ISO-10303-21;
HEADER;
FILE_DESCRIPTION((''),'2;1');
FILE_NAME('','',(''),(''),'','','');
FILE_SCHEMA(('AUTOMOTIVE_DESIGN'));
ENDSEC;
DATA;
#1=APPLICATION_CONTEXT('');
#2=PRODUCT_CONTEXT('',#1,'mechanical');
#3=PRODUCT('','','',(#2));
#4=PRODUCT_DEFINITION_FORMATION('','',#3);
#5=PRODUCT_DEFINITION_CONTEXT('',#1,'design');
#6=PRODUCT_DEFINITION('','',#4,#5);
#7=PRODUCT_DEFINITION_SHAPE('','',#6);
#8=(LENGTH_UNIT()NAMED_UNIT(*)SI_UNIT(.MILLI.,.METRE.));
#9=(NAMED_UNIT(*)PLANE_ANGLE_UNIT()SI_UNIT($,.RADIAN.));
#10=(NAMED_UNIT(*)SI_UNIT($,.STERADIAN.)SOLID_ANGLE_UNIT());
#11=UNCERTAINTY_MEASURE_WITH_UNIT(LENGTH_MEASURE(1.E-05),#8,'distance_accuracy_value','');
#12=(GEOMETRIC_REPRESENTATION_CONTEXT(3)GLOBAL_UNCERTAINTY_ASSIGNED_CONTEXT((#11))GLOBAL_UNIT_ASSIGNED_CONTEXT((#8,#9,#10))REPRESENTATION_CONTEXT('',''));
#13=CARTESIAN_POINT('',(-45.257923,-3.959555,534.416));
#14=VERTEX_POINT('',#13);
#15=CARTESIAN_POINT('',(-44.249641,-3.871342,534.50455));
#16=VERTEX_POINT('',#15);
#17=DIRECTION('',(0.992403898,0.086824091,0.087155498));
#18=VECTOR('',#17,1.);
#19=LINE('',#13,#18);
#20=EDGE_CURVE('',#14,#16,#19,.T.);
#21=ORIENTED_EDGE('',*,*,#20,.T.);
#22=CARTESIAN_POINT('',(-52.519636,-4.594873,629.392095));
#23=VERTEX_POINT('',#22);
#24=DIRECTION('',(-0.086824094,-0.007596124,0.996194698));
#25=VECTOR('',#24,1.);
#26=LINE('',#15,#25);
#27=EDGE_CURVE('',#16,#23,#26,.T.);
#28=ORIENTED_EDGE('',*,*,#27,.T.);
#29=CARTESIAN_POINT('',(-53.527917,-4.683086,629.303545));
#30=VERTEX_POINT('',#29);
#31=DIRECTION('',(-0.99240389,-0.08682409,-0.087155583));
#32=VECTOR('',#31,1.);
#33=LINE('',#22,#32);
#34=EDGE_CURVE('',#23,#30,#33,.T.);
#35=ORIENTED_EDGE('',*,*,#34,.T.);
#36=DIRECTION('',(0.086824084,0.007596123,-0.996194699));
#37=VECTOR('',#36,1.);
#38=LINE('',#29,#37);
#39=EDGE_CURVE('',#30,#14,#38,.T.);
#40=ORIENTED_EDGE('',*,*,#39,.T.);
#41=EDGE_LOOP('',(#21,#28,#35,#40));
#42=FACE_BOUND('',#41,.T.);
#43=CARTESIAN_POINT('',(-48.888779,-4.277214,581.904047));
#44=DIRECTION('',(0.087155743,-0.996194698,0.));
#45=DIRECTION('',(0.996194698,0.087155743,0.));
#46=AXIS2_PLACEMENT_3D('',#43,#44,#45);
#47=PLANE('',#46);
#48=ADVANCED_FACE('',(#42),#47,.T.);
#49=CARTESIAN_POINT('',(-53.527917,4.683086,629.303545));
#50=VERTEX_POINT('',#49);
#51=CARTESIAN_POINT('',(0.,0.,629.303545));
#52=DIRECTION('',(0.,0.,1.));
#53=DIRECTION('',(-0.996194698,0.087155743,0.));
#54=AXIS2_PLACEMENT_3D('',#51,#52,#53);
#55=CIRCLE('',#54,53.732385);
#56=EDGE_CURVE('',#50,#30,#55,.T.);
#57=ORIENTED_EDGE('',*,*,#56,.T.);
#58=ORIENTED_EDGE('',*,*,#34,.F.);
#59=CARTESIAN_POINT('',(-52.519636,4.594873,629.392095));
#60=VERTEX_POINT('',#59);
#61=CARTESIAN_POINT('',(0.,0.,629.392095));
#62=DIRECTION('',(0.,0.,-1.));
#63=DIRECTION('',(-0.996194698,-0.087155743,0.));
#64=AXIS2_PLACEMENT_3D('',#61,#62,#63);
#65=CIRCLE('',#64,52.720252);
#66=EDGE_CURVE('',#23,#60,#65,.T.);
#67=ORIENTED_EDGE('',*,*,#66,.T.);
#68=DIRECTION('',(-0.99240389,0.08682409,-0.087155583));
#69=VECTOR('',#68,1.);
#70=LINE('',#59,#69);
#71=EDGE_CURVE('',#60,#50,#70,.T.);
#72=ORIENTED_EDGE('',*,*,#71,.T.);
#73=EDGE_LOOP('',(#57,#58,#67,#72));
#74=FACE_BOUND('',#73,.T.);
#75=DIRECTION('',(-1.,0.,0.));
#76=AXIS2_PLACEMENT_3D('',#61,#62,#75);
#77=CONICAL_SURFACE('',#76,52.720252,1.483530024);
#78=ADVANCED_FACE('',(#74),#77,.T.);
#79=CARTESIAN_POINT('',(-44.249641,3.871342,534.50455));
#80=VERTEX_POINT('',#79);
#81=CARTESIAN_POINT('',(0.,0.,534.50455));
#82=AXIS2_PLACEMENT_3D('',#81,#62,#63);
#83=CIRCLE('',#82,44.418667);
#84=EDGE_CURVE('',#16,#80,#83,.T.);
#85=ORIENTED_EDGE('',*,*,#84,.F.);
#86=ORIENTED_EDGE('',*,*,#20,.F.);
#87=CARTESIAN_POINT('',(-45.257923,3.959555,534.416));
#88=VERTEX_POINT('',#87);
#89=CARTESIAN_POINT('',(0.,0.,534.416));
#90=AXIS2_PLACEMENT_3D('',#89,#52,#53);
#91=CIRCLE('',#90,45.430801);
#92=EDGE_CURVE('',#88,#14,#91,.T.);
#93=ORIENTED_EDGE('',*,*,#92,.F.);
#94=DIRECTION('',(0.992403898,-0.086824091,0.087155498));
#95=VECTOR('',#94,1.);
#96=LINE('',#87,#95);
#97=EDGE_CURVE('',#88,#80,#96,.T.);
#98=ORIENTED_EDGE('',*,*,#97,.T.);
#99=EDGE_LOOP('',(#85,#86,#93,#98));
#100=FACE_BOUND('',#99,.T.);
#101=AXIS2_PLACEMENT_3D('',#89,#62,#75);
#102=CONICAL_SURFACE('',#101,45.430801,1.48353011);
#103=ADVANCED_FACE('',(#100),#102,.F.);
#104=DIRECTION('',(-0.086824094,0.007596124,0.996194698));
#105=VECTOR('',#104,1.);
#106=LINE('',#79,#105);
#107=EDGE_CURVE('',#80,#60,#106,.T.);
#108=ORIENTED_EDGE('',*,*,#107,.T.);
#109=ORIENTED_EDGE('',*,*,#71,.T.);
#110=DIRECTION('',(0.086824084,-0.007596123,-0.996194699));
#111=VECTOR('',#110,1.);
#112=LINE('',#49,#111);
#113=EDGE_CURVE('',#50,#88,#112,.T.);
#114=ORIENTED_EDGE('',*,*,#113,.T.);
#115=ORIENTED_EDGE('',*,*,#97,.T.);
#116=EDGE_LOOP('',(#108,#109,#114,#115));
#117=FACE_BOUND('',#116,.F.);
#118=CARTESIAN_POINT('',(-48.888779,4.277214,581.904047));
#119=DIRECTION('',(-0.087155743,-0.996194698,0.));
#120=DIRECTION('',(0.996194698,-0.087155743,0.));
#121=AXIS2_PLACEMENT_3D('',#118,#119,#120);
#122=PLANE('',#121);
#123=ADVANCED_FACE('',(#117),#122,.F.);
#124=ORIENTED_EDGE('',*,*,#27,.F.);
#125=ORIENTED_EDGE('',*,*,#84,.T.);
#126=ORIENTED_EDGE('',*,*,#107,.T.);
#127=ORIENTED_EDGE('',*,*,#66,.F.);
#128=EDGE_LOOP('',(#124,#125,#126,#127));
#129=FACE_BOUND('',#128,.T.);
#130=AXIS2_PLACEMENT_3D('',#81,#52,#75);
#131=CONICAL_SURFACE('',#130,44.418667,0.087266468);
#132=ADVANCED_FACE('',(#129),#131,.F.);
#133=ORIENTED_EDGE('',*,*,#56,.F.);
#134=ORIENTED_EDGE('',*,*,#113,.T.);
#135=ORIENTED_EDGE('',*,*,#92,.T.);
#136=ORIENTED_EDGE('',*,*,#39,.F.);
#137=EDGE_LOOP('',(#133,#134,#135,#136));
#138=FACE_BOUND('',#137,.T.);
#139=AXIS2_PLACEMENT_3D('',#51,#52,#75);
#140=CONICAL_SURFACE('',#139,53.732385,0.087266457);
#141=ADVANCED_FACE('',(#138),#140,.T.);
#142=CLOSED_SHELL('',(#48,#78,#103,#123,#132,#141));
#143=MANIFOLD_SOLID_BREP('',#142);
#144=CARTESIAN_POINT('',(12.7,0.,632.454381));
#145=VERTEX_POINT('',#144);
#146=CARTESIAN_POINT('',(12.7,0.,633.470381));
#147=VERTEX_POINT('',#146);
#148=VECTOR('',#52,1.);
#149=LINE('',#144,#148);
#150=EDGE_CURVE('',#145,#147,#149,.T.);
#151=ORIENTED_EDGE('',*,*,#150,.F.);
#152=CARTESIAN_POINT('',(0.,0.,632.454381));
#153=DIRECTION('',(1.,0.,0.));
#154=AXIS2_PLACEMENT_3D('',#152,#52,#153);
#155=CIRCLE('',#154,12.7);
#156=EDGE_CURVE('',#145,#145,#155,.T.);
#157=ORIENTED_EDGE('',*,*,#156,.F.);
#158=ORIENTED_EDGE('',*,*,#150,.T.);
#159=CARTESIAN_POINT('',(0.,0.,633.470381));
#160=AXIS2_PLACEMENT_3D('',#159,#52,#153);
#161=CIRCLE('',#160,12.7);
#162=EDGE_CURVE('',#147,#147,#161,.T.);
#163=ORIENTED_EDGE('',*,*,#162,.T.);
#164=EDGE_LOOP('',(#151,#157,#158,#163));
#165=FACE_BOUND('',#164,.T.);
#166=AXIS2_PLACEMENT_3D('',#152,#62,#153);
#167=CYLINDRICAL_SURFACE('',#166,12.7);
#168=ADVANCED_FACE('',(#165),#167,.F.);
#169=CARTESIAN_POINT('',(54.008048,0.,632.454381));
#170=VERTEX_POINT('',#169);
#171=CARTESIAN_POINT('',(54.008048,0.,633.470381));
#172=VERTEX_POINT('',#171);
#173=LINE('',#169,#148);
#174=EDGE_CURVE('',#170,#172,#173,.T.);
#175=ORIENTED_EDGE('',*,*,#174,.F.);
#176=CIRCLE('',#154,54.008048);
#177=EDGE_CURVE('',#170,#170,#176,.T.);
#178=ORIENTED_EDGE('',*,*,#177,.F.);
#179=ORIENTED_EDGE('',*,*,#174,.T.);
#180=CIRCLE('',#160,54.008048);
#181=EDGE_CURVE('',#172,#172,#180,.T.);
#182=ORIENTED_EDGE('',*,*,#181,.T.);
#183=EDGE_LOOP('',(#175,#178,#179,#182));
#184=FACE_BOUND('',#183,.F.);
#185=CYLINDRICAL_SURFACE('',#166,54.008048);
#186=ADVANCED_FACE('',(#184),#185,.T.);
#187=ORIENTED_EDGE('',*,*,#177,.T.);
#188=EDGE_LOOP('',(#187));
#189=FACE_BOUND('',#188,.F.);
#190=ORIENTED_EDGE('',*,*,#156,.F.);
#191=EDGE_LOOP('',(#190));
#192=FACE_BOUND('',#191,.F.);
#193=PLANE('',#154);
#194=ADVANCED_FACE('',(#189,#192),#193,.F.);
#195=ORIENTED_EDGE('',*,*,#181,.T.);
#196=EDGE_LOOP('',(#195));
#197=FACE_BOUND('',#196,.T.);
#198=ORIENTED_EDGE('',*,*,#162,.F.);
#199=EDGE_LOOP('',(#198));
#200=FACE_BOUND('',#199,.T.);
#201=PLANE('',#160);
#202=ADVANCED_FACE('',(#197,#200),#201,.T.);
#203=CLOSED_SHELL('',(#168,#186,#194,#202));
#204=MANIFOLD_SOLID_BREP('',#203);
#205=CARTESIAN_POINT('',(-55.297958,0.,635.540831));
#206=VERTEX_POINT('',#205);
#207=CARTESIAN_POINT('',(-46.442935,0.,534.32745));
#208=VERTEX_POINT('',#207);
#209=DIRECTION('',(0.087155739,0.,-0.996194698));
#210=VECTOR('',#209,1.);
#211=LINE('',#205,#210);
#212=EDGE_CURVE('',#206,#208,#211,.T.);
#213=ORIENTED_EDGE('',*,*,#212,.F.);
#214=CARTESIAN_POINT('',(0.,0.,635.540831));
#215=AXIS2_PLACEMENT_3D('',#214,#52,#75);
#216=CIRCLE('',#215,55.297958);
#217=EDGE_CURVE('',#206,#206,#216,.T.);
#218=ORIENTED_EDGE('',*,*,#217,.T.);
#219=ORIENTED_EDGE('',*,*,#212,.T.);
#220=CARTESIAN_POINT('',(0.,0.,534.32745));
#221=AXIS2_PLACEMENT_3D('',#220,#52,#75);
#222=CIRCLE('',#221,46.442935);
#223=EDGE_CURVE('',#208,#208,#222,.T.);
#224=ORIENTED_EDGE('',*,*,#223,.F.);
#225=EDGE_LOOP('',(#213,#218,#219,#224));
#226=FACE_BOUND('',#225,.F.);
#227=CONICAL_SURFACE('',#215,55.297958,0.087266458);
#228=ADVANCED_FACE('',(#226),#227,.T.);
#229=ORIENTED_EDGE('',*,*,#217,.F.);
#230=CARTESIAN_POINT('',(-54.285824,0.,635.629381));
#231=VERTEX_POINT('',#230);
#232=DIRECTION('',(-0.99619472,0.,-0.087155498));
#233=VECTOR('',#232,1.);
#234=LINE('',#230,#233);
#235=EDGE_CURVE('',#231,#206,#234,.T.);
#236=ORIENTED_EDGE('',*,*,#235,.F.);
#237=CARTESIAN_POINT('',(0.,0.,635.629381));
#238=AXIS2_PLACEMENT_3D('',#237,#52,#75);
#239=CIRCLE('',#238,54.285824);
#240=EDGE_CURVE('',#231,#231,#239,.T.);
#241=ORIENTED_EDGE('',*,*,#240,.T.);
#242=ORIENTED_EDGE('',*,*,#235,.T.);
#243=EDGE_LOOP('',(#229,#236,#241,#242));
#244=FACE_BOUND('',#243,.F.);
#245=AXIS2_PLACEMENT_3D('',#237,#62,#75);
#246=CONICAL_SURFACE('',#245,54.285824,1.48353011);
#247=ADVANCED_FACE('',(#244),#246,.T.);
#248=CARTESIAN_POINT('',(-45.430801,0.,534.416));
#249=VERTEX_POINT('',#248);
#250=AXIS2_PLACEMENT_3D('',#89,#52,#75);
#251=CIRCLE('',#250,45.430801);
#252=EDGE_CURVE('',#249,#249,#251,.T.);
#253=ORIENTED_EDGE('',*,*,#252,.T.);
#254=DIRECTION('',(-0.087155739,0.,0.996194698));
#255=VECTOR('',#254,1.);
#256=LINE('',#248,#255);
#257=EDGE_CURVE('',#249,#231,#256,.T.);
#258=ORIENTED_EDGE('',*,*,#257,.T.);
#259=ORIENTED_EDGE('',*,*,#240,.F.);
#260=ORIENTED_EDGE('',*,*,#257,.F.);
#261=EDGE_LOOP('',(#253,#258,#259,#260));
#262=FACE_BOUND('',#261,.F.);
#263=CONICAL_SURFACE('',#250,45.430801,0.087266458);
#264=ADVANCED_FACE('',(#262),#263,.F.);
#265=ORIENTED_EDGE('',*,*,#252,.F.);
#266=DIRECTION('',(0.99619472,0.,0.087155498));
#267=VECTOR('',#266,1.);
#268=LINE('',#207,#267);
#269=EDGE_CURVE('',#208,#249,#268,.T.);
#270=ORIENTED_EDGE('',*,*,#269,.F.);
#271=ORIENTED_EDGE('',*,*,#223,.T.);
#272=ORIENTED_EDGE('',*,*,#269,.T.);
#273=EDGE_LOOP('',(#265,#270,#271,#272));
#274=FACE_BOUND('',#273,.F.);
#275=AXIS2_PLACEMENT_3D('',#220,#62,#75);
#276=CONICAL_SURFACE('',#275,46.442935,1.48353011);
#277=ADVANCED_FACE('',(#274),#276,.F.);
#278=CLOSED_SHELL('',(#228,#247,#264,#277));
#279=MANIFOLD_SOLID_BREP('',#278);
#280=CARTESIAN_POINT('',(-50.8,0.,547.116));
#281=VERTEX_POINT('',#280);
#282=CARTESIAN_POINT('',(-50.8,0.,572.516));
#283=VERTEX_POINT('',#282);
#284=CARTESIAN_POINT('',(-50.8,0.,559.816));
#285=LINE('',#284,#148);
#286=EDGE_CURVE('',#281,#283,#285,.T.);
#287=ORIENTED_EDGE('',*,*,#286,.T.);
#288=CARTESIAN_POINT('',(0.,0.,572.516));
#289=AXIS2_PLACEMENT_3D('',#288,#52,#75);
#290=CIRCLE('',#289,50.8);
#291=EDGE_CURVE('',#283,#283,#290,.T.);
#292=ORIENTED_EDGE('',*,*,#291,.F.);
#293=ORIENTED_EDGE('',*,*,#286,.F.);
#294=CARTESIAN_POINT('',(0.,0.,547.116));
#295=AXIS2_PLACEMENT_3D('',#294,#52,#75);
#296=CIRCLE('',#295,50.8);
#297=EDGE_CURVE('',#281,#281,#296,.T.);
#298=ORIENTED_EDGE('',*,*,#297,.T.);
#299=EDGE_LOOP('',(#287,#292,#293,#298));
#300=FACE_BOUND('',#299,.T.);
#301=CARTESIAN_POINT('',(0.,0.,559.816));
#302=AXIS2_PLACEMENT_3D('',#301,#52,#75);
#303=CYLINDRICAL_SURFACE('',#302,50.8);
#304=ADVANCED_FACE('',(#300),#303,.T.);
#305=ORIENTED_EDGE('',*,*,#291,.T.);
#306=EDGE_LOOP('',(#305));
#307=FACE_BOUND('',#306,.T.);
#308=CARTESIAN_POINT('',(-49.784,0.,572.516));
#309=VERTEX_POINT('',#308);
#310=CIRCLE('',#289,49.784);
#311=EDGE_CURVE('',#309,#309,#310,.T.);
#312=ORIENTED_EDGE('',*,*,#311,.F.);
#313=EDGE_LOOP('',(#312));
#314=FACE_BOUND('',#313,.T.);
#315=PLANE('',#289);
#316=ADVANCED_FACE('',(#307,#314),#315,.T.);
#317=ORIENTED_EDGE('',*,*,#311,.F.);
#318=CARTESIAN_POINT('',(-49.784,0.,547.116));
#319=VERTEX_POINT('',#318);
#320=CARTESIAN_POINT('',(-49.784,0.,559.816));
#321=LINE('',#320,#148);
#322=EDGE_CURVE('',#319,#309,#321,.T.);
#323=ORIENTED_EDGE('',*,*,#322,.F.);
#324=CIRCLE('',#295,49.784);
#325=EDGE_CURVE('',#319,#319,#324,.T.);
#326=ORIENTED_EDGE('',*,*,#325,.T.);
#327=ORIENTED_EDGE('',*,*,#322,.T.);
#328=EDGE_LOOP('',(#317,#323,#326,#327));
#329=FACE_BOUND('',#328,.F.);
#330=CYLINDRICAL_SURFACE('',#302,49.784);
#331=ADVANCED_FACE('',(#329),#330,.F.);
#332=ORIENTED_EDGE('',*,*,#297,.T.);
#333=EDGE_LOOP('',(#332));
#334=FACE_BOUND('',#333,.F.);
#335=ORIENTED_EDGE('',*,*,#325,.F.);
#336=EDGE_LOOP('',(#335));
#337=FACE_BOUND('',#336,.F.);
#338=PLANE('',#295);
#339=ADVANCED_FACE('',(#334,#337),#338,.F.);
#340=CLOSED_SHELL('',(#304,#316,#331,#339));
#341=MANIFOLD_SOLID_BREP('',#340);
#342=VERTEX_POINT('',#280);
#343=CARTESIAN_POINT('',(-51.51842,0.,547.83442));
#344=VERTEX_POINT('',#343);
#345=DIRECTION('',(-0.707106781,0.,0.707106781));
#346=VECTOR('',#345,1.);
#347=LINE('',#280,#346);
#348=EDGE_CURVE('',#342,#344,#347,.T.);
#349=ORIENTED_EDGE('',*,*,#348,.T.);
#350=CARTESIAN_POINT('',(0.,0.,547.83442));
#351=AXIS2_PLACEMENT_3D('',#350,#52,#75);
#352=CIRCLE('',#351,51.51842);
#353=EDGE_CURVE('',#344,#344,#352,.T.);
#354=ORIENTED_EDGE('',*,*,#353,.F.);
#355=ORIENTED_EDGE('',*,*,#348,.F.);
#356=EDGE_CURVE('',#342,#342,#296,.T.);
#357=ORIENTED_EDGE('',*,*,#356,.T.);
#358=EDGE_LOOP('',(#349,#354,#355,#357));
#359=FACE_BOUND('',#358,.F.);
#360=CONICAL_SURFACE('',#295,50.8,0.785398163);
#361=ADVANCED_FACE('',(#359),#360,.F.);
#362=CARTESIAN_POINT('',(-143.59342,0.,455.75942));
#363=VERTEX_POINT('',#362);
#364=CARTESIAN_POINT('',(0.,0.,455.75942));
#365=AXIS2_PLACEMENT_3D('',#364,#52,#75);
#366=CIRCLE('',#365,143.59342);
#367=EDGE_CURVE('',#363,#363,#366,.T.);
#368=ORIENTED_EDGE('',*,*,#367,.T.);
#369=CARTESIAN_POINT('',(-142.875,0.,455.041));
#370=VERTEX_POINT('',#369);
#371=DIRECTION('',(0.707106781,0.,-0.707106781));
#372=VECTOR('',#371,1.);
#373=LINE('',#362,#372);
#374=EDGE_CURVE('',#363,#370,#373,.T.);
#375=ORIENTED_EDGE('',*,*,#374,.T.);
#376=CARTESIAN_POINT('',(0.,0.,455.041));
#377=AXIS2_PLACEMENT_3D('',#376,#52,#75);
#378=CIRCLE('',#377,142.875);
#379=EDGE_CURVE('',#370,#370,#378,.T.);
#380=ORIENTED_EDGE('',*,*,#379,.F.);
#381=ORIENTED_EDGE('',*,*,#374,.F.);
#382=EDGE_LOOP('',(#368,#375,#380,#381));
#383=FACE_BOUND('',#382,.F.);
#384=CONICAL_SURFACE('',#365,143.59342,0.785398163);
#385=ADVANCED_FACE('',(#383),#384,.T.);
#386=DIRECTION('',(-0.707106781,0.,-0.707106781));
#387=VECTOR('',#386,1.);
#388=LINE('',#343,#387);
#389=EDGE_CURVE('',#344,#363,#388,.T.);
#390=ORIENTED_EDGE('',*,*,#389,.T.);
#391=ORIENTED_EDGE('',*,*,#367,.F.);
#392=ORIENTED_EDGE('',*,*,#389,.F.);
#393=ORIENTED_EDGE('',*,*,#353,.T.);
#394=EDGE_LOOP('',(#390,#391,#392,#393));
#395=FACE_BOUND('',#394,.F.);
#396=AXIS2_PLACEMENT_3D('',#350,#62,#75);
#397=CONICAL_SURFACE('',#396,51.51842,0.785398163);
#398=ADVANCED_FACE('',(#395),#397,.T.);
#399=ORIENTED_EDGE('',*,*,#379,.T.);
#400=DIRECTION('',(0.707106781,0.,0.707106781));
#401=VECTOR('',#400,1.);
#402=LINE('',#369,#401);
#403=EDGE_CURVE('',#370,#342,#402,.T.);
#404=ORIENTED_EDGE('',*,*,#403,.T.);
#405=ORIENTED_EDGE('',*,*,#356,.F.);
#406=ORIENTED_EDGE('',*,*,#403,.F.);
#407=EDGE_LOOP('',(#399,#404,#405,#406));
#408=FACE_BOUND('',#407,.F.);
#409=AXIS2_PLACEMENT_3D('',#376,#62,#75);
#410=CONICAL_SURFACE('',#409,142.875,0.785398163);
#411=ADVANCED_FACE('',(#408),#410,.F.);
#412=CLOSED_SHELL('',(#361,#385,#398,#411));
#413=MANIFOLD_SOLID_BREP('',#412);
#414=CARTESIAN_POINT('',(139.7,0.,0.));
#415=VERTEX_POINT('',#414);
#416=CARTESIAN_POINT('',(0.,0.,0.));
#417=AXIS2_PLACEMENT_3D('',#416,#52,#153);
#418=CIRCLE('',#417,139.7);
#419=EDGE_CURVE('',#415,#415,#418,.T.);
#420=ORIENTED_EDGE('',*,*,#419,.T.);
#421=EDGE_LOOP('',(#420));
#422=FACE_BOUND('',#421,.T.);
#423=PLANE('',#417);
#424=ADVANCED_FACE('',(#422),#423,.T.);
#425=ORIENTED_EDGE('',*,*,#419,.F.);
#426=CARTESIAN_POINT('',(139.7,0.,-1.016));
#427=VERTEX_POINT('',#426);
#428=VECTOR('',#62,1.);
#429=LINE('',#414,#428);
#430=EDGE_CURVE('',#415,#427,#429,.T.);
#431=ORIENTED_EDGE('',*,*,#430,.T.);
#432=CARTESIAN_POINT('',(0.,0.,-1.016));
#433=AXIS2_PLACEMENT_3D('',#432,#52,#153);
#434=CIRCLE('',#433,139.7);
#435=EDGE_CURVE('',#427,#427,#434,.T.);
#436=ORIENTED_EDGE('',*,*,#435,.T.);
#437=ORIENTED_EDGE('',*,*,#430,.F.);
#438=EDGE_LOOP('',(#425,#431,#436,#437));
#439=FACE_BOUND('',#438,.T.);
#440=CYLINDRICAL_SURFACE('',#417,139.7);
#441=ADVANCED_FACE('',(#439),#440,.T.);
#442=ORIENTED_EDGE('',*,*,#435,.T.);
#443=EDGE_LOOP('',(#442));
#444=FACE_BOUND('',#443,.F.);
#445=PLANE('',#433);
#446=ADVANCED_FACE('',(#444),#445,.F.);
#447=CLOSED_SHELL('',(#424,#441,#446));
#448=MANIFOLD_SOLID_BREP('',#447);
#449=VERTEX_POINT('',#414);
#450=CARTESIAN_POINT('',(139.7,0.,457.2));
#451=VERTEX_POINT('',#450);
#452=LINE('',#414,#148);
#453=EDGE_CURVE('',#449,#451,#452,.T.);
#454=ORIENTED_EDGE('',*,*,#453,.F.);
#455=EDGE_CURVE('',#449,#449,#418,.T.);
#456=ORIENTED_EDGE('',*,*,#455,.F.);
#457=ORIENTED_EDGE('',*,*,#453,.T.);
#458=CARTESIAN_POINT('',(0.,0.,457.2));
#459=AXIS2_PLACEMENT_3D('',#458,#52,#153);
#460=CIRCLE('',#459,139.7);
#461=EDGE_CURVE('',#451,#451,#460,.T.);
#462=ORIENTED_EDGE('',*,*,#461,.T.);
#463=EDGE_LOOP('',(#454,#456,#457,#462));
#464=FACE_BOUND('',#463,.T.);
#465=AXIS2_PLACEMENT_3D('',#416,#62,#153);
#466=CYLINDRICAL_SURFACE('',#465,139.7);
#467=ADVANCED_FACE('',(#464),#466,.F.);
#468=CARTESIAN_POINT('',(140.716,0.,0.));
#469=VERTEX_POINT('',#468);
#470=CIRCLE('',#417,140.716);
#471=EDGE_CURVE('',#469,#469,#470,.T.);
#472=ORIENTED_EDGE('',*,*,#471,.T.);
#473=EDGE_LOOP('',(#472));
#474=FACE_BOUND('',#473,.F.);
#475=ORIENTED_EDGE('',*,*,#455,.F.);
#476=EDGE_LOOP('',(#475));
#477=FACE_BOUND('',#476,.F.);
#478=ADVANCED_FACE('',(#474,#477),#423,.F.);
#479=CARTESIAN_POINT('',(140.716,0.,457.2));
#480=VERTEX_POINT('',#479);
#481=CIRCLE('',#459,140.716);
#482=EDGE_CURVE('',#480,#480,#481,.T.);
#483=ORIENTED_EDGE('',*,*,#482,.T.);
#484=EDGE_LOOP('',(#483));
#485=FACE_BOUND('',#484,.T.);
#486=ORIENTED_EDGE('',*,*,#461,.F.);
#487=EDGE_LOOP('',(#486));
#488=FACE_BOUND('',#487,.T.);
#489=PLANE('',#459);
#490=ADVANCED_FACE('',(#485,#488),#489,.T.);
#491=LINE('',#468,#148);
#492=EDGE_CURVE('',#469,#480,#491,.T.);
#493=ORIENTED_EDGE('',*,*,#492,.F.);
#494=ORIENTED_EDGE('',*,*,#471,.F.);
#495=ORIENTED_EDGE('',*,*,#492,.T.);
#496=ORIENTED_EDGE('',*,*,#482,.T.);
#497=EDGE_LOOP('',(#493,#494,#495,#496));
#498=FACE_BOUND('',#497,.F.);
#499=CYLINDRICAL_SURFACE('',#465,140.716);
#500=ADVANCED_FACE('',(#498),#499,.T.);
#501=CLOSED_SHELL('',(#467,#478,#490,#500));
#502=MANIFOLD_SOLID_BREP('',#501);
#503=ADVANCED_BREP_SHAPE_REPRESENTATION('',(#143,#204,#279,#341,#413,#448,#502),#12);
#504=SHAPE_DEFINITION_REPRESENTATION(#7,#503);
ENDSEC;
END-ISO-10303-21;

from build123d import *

# Parameters (mm, degrees)
F0_R      = 139.7
F1_DEPTH  = 1.016
F2_R      = 140.716
F2_R_2    = 139.7
F3_DEPTH  = 457.2
F6_W      = 1.016
F6_H      = 25.4
F12_R     = 54.008048
F12_R_2   = 12.7
F13_DEPTH = 1.016
F15_ANGLE = 10


with BuildPart() as f1:
    # F0 (on Top) → F1 (new body)
    with BuildSketch(Plane.XY):
        Circle(F0_R)
    extrude(amount=-F1_DEPTH)


with BuildPart() as f3:
    # F2 (on face) → F3 (new body)
    with BuildSketch(Plane.XY):
        Circle(F2_R)
        Circle(F2_R_2, mode=Mode.SUBTRACT)
    extrude(amount=F3_DEPTH)


with BuildPart() as f5:
    # F4 (on Front) → F5 (revolve)
    with BuildSketch(Plane.XZ):
        Polygon((-143.59342, 455.75942), (-142.875, 455.041), (-50.8, 547.116), (-51.51842, 547.83442), align=None)
    revolve(axis=Axis((0, 0, 296.564102), (0, 0, 1)))


with BuildPart() as f7:
    # F6 (on Front) → F7 (revolve)
    with BuildSketch(Plane.XZ):
        with Locations((-50.292, 559.816)):
            Rectangle(F6_W, F6_H)
    revolve(axis=Axis((0, 0, 315.481633), (0, 0, 1)))


with BuildPart() as f9:
    # F8 (on Front) → F9 (revolve)
    with BuildSketch(Plane.XZ):
        Polygon((-54.285824, 635.629381), (-55.297958, 635.540831), (-46.442935, 534.32745), (-45.430801, 534.416), align=None)
    revolve(axis=Axis((0, 0, 317.814691), (0, 0, 1)))


with BuildPart() as f13:
    # F12 (on offset) → F13 (new body)
    with BuildSketch(Plane.XY.offset(632.454381)):
        Circle(F12_R)
        Circle(F12_R_2, mode=Mode.SUBTRACT)
    extrude(amount=F13_DEPTH)


with BuildPart() as f15:
    # F14 (on Front) → F15 (revolve, symmetric)
    with BuildSketch(Plane.XZ) as f15_sk:
        Polygon((-52.720252, 629.392095), (-53.732385, 629.303545), (-45.430801, 534.416), (-44.418667, 534.50455), align=None)
    revolve(axis=Axis((0, 0, 347.863972), (0, 0, 1)), revolution_arc=F15_ANGLE / 2)
    revolve(f15_sk.sketch, axis=Axis((0, 0, 347.863972), (0, 0, -1)), revolution_arc=F15_ANGLE / 2)


solid = Compound([f1.part, f3.part, f5.part, f7.part, f9.part, f13.part, f15.part])
